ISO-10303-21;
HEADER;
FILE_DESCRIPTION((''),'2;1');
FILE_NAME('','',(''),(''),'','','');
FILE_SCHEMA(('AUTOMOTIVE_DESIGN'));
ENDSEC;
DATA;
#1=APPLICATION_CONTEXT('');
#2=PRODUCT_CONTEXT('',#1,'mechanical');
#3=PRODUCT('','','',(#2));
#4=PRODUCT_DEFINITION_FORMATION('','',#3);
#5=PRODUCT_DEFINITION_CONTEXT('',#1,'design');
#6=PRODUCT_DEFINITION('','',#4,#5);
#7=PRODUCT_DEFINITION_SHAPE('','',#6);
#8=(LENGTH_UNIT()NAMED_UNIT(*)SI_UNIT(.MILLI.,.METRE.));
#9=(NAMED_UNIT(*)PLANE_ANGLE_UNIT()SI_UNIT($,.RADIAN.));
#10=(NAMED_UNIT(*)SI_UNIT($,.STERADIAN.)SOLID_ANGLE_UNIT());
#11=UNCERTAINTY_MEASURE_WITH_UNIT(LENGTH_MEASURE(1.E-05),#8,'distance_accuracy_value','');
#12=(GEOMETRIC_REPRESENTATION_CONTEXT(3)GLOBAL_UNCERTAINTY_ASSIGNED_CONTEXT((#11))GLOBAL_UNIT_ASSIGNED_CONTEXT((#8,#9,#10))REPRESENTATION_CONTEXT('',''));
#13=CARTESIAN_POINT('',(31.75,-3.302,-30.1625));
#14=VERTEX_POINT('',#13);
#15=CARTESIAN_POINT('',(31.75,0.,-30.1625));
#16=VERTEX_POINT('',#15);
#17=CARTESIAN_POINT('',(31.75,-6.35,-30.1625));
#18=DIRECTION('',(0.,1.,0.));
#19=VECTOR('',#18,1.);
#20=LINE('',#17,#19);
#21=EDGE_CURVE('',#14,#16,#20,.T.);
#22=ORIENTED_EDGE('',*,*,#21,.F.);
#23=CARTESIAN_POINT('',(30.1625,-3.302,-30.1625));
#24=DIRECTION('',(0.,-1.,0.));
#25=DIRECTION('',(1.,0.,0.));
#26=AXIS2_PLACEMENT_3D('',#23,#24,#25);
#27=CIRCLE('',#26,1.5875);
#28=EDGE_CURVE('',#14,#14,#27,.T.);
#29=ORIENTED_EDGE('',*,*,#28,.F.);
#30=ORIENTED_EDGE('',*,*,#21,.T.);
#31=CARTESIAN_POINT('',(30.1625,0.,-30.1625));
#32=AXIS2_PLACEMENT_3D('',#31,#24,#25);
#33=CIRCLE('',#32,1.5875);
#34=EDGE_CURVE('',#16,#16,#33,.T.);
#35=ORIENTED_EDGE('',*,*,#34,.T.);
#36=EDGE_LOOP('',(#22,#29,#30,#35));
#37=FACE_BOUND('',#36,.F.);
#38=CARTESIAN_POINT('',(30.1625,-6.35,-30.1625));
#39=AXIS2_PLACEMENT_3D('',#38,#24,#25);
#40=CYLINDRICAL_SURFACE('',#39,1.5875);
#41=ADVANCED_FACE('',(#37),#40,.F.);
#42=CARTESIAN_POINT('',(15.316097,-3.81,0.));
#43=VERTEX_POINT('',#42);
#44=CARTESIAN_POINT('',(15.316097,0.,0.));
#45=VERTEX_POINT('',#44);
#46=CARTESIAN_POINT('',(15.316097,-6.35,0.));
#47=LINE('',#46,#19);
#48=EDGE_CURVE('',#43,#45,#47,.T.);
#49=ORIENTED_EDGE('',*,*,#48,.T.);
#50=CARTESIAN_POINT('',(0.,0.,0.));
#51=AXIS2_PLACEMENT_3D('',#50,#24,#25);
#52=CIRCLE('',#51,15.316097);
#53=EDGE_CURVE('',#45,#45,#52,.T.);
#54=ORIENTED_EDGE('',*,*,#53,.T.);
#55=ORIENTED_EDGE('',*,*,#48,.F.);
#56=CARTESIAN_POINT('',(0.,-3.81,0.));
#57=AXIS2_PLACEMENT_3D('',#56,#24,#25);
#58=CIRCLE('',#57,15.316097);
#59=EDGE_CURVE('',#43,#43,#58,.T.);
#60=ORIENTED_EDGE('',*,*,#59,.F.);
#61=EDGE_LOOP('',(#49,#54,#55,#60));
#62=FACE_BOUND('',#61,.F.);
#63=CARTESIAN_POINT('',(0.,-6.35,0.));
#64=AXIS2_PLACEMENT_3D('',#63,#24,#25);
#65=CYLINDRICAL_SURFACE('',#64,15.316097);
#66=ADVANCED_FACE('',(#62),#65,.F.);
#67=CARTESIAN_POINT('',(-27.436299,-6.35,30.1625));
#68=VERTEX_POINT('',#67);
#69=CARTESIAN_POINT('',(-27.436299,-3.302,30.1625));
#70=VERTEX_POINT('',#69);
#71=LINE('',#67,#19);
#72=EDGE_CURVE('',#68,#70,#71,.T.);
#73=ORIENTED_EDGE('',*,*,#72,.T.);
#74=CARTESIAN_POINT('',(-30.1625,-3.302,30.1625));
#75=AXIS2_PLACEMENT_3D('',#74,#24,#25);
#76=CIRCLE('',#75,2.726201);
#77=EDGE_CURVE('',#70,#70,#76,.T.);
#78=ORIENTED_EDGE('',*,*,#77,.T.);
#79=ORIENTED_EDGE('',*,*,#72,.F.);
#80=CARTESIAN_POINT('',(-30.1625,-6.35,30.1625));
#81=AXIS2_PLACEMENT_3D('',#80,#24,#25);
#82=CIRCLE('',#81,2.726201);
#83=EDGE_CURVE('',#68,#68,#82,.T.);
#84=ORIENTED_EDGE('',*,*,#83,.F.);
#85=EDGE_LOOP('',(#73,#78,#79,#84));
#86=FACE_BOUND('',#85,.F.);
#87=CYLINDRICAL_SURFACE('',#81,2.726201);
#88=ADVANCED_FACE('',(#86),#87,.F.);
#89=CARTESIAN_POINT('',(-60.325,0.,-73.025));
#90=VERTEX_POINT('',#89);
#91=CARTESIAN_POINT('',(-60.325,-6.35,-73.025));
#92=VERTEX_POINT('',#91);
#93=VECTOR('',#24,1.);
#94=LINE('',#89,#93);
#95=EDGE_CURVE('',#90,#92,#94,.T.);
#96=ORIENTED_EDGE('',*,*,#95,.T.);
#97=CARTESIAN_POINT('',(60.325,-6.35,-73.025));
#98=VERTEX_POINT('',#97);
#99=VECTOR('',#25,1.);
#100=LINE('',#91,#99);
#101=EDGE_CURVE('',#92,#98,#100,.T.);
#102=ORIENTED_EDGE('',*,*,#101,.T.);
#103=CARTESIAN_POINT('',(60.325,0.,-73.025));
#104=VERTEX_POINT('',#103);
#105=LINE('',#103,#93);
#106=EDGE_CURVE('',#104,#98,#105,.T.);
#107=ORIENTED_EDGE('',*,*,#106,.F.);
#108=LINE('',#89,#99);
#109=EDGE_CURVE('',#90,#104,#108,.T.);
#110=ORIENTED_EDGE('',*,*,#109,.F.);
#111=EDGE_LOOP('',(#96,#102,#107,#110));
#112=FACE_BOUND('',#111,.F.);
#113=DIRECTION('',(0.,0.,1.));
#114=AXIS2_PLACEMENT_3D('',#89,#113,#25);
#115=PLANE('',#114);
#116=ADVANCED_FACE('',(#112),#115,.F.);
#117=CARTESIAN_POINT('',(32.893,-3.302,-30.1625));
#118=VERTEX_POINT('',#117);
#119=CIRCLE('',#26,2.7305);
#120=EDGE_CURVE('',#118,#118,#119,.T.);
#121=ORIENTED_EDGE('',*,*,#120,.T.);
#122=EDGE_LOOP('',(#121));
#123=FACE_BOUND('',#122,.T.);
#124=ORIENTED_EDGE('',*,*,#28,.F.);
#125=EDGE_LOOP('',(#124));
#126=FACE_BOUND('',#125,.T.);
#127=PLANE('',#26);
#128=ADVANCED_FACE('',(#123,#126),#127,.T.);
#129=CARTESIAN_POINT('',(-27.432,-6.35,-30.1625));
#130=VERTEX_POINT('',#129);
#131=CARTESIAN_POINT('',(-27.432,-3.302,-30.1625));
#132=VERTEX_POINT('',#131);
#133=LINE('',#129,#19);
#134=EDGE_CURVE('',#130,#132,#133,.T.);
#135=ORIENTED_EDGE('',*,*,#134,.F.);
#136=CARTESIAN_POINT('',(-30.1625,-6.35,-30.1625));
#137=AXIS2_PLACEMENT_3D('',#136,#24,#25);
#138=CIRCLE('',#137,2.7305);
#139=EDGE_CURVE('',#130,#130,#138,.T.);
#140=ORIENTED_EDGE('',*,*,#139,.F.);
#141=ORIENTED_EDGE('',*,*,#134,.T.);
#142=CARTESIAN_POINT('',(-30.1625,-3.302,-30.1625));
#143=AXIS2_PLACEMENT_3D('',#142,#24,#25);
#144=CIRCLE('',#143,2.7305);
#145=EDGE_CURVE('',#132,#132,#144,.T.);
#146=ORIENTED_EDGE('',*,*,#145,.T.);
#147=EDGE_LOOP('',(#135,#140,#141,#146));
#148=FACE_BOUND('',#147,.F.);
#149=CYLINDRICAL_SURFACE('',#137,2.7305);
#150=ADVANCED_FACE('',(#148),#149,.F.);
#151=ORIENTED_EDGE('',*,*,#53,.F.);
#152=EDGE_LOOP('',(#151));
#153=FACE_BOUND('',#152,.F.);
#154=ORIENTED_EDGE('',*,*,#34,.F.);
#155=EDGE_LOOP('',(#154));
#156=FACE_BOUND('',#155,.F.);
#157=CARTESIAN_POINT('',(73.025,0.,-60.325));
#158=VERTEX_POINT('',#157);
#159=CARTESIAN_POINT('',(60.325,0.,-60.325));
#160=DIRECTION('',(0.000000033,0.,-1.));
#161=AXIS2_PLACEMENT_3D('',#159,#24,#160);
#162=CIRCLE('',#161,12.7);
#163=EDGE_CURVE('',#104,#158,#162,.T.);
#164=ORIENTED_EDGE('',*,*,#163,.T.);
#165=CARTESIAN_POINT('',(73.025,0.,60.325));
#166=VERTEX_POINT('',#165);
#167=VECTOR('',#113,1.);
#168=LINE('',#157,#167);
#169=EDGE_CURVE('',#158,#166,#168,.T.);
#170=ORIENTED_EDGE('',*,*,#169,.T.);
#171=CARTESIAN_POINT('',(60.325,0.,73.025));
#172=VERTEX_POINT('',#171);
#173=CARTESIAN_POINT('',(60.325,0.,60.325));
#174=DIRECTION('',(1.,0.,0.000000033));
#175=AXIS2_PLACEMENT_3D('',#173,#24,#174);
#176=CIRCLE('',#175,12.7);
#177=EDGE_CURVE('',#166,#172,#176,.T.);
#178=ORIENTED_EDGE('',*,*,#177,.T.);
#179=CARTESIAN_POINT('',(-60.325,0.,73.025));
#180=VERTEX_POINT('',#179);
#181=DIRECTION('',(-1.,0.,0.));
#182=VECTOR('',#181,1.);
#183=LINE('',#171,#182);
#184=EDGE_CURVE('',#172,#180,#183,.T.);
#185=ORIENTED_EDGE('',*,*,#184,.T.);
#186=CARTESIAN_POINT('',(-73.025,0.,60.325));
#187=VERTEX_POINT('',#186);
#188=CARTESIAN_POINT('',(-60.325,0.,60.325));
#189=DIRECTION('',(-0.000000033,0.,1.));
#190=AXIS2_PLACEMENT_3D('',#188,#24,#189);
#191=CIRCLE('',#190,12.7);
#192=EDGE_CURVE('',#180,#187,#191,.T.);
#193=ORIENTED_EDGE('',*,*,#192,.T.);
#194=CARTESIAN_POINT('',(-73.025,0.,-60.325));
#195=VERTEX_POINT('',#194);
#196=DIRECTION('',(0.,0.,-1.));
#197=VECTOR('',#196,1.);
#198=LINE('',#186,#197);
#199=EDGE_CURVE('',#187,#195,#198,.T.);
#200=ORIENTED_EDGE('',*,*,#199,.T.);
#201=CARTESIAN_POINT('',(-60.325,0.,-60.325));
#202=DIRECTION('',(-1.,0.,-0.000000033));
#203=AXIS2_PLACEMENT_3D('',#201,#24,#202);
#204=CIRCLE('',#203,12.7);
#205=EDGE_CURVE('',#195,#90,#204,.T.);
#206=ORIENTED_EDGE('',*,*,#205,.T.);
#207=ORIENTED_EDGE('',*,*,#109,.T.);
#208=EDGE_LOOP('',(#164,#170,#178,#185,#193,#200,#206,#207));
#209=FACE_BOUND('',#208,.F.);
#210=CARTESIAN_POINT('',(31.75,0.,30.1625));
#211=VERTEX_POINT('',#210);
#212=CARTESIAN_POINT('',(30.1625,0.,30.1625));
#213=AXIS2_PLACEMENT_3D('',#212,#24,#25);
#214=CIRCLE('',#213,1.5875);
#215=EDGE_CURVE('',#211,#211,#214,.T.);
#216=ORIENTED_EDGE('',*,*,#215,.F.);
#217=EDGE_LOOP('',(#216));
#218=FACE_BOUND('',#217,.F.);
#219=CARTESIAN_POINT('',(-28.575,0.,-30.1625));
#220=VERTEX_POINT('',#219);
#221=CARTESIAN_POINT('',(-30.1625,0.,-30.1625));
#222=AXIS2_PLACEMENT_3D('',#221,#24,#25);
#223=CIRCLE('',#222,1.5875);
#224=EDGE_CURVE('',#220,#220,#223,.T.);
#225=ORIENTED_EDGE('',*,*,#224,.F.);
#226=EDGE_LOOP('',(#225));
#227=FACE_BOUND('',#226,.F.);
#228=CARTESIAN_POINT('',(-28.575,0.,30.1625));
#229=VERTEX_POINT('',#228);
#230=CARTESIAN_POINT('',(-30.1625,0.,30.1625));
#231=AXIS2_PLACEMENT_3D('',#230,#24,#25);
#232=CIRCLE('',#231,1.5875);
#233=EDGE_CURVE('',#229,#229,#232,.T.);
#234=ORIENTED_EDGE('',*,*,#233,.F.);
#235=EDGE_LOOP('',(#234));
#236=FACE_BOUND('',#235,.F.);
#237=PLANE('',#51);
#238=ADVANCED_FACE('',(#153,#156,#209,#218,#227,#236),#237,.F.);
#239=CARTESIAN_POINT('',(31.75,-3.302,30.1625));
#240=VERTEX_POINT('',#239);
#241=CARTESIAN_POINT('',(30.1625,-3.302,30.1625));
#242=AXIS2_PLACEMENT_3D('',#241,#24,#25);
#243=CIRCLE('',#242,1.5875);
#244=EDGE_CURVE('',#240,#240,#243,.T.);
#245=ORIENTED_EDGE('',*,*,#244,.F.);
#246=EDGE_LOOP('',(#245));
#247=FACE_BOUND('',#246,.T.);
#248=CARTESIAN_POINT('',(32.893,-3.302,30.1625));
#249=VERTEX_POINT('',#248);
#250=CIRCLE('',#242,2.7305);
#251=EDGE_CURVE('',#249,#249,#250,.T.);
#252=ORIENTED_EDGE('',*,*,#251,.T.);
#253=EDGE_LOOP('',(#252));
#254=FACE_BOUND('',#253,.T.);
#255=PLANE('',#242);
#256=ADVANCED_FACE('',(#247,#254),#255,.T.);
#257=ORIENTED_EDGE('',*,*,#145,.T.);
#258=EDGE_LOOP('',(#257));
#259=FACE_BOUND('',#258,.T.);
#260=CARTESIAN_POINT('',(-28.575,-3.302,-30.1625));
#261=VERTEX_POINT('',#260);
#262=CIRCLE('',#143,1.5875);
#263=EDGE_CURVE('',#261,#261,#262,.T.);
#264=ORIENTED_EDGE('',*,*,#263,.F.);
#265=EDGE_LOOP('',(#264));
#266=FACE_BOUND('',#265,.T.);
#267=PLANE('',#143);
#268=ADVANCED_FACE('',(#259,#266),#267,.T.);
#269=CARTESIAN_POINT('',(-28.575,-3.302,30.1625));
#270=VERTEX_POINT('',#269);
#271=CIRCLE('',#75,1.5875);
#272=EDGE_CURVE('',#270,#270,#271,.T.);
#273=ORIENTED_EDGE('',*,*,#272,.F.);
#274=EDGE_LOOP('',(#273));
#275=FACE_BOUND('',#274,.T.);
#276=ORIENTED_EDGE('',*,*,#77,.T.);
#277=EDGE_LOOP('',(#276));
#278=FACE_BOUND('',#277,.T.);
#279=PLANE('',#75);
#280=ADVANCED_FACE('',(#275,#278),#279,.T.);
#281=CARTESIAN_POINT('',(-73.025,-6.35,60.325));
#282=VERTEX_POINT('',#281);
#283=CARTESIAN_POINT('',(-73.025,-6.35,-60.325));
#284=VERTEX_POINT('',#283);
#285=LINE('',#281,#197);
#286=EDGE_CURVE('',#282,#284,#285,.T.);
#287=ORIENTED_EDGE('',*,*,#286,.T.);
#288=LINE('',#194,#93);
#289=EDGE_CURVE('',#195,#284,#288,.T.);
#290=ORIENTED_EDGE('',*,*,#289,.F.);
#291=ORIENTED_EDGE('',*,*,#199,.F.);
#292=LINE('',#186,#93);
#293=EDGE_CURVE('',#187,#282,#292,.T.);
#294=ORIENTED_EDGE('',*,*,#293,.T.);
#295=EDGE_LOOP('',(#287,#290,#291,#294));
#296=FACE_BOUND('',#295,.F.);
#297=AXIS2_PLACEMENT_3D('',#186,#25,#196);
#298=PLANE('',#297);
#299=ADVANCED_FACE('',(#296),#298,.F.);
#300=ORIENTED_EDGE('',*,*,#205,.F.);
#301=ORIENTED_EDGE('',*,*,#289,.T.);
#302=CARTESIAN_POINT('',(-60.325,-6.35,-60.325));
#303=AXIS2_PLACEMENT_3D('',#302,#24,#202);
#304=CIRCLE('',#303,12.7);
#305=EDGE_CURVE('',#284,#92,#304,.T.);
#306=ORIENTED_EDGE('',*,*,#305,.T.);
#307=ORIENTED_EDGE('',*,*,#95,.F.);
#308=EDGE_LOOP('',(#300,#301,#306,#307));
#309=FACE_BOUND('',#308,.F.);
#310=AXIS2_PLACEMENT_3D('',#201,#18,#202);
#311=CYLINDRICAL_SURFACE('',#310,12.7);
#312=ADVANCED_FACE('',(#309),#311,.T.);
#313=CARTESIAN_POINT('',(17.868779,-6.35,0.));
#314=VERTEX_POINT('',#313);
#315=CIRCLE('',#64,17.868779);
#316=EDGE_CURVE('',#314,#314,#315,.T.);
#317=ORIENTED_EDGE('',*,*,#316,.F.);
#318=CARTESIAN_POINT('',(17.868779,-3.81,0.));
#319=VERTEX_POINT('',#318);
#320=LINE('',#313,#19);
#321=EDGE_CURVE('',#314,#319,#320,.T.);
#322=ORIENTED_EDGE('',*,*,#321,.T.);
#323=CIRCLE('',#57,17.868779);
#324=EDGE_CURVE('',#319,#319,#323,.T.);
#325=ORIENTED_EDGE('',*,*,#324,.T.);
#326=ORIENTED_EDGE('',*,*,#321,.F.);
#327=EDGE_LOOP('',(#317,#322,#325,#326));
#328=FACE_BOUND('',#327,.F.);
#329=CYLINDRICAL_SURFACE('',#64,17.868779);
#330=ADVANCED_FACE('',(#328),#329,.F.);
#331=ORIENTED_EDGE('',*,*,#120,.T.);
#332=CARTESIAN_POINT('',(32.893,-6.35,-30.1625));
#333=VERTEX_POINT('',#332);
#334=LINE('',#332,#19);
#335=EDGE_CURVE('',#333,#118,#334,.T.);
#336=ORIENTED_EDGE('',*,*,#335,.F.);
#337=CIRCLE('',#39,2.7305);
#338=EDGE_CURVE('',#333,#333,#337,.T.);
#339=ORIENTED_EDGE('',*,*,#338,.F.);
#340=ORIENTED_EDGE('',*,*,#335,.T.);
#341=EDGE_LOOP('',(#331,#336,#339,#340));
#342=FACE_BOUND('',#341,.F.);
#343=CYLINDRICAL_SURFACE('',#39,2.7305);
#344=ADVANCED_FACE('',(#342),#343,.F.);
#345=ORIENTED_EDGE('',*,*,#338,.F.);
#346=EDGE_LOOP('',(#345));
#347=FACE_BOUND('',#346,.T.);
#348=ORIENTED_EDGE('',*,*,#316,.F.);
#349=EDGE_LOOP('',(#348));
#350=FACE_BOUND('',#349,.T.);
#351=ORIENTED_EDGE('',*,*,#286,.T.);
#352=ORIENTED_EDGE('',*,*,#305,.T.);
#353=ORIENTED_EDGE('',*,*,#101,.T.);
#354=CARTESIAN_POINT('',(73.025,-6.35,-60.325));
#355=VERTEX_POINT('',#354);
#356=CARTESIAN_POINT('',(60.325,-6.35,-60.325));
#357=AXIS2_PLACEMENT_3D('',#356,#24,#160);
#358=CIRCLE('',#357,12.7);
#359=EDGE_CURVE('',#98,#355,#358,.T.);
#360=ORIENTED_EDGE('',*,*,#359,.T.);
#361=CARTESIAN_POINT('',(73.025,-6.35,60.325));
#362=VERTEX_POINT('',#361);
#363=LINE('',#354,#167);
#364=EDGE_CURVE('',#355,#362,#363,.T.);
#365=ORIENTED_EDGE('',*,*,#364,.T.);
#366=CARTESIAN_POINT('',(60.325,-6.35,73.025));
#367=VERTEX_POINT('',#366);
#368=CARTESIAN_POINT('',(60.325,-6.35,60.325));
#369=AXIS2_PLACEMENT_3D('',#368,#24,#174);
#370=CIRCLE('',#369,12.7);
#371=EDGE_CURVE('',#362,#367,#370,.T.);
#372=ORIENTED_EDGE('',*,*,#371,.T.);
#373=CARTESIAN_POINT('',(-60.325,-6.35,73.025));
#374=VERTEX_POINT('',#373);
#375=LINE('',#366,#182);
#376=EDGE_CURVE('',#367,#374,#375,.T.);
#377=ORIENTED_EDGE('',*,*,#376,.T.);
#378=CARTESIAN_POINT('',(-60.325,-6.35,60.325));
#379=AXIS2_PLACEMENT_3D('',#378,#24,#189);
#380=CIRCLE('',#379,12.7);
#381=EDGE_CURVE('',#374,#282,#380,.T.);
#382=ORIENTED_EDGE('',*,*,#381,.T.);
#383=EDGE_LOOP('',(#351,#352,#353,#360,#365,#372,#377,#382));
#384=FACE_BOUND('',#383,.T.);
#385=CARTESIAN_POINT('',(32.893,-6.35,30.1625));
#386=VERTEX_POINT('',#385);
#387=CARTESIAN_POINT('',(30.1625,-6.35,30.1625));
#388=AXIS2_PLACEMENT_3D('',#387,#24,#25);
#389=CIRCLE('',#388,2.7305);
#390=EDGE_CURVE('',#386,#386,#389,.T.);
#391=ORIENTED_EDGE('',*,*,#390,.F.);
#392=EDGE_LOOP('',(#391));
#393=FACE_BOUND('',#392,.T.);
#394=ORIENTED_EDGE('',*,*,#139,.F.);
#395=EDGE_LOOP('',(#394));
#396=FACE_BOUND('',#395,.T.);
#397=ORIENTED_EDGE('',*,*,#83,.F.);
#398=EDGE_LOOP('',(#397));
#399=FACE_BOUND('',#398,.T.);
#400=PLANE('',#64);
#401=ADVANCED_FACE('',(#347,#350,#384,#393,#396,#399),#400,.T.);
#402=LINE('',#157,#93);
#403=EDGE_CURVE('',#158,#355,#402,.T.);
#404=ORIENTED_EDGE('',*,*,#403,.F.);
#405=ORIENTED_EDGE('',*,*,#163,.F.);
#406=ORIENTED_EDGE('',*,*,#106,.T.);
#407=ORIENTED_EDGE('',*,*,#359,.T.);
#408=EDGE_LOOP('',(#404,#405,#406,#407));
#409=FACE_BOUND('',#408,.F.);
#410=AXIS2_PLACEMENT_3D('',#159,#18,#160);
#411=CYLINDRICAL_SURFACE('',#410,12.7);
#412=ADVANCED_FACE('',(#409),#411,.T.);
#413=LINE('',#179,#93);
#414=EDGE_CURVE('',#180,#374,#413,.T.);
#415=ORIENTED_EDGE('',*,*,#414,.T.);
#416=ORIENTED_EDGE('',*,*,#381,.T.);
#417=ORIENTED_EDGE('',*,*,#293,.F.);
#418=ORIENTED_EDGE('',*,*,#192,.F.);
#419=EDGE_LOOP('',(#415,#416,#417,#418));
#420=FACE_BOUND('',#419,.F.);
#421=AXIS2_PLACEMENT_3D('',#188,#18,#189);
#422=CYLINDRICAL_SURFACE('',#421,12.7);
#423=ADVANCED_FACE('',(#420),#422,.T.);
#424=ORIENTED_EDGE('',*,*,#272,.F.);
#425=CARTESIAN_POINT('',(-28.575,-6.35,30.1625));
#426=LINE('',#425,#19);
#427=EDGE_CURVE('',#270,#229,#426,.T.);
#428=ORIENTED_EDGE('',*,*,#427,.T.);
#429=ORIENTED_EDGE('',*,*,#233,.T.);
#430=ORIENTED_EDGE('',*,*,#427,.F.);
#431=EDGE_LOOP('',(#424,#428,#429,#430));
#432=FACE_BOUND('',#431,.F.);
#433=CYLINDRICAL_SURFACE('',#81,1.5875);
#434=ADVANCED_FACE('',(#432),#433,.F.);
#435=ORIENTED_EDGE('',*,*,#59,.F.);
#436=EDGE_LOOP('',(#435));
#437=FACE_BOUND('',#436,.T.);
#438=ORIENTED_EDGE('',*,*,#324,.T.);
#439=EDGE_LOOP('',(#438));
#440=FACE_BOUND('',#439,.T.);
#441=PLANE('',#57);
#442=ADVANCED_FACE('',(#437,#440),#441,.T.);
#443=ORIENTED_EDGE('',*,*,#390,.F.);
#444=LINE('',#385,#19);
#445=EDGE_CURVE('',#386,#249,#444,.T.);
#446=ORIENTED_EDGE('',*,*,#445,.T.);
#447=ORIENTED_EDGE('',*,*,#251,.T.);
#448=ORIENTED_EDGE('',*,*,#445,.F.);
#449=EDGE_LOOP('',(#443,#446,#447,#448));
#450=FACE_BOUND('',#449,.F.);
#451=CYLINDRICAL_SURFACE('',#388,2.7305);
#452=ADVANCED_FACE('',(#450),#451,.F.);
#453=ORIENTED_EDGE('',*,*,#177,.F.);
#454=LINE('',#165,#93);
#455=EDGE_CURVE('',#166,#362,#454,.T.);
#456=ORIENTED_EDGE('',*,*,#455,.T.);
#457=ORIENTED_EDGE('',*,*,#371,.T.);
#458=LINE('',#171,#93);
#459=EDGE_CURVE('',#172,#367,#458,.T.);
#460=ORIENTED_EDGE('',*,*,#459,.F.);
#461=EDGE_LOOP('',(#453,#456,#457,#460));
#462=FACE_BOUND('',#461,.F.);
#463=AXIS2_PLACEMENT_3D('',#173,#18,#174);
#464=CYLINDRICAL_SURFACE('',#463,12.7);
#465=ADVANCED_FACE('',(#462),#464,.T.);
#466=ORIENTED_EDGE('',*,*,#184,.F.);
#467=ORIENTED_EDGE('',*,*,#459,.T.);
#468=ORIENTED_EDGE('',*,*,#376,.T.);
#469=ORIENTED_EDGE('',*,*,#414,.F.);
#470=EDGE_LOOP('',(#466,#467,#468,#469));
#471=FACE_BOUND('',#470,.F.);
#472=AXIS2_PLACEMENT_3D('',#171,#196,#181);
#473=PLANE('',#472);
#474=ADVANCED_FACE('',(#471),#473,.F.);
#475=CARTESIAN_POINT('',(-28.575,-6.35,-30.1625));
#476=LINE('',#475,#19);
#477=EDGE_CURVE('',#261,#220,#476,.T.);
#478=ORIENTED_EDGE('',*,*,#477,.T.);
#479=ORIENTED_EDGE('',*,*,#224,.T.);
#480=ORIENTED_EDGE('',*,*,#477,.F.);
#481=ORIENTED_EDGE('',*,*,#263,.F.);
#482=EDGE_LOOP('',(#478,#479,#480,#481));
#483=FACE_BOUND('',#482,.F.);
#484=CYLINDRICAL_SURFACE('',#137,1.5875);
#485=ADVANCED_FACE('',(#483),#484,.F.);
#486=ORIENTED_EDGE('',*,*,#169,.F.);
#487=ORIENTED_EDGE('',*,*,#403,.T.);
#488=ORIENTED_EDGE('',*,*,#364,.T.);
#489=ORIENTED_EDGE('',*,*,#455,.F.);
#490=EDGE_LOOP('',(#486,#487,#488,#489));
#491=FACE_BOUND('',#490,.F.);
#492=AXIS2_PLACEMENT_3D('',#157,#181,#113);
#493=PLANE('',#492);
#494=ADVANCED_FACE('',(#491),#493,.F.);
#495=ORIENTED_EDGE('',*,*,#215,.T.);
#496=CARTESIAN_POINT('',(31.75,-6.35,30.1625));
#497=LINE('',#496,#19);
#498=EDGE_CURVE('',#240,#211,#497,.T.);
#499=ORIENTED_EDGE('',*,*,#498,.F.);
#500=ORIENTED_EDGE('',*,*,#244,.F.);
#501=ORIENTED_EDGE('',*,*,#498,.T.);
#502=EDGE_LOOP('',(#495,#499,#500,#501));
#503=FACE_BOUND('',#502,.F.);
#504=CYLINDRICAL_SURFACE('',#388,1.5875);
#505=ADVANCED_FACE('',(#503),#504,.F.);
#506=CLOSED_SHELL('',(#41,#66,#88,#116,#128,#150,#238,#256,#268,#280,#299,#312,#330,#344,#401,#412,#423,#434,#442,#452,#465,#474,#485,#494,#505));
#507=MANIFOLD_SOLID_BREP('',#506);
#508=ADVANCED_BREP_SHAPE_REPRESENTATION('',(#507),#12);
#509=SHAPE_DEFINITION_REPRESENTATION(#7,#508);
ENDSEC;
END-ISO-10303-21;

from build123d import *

# Parameters (mm, degrees)
F1_DEPTH = 6.35
F2_R     = 15.316097
F3_DEPTH = 6.35
F2_R_2   = 17.868779
F4_DEPTH = 2.54
F2_R_3   = 1.5875
F5_DEPTH = 6.35
F2_R_4   = 2.7305
F2_R_5   = 2.726201
F6_DEPTH = 3.048


with BuildPart() as f1:
    # F0 (on Front) → F1 (new body)
    with BuildSketch(Plane.XZ):
        with BuildLine():
            ThreePointArc((73.025, 60.325), (69.305256, 69.305256), (60.325, 73.025))
            Line((60.325, 73.025), (-60.325, 73.025))
            ThreePointArc((-60.325, 73.025), (-69.305256, 69.305256), (-73.025, 60.325))
            Line((-73.025, 60.325), (-73.025, -60.325))
            ThreePointArc((-73.025, -60.325), (-69.305256, -69.305256), (-60.325, -73.025))
            Line((-60.325, -73.025), (60.325, -73.025))
            ThreePointArc((60.325, -73.025), (69.305256, -69.305256), (73.025, -60.325))
            Line((73.025, -60.325), (73.025, 60.325))
        make_face()
    extrude(amount=F1_DEPTH)

    # F2 (on face) → F3 (cut)
    with BuildSketch(Plane.XZ.offset(6.35)):
        Circle(F2_R)
    extrude(amount=-F3_DEPTH, mode=Mode.SUBTRACT)

    # F2 (on face) → F4 (cut)
    with BuildSketch(Plane.XZ.offset(6.35)):
        Circle(F2_R_2)
        Circle(F2_R, mode=Mode.SUBTRACT)
    extrude(amount=-F4_DEPTH, mode=Mode.SUBTRACT)

    # F2 (on face) → F5 (cut)
    with BuildSketch(Plane.XZ.offset(6.35)):
        with Locations((30.1625, 30.1625)):
            Circle(F2_R_3)
        with Locations((30.1625, -30.1625)):
            Circle(F2_R_3)
        with Locations((-30.1625, 30.1625)):
            Circle(F2_R_3)
        with Locations((-30.1625, -30.1625)):
            Circle(F2_R_3)
    extrude(amount=-F5_DEPTH, mode=Mode.SUBTRACT)

    # F2 (on face) → F6 (cut)
    with BuildSketch(Plane.XZ.offset(6.35)):
        with Locations((-30.1625, -30.1625)):
            Circle(F2_R_4)
        with Locations((-30.1625, -30.1625)):
            Circle(F2_R_3, mode=Mode.SUBTRACT)
        with Locations((30.1625, -30.1625)):
            Circle(F2_R_4)
        with Locations((30.1625, -30.1625)):
            Circle(F2_R_3, mode=Mode.SUBTRACT)
        with Locations((30.1625, 30.1625)):
            Circle(F2_R_4)
        with Locations((30.1625, 30.1625)):
            Circle(F2_R_3, mode=Mode.SUBTRACT)
        with Locations((-30.1625, 30.1625)):
            Circle(F2_R_5)
        with Locations((-30.1625, 30.1625)):
            Circle(F2_R_3, mode=Mode.SUBTRACT)
    extrude(amount=-F6_DEPTH, mode=Mode.SUBTRACT)


solid = f1.part
